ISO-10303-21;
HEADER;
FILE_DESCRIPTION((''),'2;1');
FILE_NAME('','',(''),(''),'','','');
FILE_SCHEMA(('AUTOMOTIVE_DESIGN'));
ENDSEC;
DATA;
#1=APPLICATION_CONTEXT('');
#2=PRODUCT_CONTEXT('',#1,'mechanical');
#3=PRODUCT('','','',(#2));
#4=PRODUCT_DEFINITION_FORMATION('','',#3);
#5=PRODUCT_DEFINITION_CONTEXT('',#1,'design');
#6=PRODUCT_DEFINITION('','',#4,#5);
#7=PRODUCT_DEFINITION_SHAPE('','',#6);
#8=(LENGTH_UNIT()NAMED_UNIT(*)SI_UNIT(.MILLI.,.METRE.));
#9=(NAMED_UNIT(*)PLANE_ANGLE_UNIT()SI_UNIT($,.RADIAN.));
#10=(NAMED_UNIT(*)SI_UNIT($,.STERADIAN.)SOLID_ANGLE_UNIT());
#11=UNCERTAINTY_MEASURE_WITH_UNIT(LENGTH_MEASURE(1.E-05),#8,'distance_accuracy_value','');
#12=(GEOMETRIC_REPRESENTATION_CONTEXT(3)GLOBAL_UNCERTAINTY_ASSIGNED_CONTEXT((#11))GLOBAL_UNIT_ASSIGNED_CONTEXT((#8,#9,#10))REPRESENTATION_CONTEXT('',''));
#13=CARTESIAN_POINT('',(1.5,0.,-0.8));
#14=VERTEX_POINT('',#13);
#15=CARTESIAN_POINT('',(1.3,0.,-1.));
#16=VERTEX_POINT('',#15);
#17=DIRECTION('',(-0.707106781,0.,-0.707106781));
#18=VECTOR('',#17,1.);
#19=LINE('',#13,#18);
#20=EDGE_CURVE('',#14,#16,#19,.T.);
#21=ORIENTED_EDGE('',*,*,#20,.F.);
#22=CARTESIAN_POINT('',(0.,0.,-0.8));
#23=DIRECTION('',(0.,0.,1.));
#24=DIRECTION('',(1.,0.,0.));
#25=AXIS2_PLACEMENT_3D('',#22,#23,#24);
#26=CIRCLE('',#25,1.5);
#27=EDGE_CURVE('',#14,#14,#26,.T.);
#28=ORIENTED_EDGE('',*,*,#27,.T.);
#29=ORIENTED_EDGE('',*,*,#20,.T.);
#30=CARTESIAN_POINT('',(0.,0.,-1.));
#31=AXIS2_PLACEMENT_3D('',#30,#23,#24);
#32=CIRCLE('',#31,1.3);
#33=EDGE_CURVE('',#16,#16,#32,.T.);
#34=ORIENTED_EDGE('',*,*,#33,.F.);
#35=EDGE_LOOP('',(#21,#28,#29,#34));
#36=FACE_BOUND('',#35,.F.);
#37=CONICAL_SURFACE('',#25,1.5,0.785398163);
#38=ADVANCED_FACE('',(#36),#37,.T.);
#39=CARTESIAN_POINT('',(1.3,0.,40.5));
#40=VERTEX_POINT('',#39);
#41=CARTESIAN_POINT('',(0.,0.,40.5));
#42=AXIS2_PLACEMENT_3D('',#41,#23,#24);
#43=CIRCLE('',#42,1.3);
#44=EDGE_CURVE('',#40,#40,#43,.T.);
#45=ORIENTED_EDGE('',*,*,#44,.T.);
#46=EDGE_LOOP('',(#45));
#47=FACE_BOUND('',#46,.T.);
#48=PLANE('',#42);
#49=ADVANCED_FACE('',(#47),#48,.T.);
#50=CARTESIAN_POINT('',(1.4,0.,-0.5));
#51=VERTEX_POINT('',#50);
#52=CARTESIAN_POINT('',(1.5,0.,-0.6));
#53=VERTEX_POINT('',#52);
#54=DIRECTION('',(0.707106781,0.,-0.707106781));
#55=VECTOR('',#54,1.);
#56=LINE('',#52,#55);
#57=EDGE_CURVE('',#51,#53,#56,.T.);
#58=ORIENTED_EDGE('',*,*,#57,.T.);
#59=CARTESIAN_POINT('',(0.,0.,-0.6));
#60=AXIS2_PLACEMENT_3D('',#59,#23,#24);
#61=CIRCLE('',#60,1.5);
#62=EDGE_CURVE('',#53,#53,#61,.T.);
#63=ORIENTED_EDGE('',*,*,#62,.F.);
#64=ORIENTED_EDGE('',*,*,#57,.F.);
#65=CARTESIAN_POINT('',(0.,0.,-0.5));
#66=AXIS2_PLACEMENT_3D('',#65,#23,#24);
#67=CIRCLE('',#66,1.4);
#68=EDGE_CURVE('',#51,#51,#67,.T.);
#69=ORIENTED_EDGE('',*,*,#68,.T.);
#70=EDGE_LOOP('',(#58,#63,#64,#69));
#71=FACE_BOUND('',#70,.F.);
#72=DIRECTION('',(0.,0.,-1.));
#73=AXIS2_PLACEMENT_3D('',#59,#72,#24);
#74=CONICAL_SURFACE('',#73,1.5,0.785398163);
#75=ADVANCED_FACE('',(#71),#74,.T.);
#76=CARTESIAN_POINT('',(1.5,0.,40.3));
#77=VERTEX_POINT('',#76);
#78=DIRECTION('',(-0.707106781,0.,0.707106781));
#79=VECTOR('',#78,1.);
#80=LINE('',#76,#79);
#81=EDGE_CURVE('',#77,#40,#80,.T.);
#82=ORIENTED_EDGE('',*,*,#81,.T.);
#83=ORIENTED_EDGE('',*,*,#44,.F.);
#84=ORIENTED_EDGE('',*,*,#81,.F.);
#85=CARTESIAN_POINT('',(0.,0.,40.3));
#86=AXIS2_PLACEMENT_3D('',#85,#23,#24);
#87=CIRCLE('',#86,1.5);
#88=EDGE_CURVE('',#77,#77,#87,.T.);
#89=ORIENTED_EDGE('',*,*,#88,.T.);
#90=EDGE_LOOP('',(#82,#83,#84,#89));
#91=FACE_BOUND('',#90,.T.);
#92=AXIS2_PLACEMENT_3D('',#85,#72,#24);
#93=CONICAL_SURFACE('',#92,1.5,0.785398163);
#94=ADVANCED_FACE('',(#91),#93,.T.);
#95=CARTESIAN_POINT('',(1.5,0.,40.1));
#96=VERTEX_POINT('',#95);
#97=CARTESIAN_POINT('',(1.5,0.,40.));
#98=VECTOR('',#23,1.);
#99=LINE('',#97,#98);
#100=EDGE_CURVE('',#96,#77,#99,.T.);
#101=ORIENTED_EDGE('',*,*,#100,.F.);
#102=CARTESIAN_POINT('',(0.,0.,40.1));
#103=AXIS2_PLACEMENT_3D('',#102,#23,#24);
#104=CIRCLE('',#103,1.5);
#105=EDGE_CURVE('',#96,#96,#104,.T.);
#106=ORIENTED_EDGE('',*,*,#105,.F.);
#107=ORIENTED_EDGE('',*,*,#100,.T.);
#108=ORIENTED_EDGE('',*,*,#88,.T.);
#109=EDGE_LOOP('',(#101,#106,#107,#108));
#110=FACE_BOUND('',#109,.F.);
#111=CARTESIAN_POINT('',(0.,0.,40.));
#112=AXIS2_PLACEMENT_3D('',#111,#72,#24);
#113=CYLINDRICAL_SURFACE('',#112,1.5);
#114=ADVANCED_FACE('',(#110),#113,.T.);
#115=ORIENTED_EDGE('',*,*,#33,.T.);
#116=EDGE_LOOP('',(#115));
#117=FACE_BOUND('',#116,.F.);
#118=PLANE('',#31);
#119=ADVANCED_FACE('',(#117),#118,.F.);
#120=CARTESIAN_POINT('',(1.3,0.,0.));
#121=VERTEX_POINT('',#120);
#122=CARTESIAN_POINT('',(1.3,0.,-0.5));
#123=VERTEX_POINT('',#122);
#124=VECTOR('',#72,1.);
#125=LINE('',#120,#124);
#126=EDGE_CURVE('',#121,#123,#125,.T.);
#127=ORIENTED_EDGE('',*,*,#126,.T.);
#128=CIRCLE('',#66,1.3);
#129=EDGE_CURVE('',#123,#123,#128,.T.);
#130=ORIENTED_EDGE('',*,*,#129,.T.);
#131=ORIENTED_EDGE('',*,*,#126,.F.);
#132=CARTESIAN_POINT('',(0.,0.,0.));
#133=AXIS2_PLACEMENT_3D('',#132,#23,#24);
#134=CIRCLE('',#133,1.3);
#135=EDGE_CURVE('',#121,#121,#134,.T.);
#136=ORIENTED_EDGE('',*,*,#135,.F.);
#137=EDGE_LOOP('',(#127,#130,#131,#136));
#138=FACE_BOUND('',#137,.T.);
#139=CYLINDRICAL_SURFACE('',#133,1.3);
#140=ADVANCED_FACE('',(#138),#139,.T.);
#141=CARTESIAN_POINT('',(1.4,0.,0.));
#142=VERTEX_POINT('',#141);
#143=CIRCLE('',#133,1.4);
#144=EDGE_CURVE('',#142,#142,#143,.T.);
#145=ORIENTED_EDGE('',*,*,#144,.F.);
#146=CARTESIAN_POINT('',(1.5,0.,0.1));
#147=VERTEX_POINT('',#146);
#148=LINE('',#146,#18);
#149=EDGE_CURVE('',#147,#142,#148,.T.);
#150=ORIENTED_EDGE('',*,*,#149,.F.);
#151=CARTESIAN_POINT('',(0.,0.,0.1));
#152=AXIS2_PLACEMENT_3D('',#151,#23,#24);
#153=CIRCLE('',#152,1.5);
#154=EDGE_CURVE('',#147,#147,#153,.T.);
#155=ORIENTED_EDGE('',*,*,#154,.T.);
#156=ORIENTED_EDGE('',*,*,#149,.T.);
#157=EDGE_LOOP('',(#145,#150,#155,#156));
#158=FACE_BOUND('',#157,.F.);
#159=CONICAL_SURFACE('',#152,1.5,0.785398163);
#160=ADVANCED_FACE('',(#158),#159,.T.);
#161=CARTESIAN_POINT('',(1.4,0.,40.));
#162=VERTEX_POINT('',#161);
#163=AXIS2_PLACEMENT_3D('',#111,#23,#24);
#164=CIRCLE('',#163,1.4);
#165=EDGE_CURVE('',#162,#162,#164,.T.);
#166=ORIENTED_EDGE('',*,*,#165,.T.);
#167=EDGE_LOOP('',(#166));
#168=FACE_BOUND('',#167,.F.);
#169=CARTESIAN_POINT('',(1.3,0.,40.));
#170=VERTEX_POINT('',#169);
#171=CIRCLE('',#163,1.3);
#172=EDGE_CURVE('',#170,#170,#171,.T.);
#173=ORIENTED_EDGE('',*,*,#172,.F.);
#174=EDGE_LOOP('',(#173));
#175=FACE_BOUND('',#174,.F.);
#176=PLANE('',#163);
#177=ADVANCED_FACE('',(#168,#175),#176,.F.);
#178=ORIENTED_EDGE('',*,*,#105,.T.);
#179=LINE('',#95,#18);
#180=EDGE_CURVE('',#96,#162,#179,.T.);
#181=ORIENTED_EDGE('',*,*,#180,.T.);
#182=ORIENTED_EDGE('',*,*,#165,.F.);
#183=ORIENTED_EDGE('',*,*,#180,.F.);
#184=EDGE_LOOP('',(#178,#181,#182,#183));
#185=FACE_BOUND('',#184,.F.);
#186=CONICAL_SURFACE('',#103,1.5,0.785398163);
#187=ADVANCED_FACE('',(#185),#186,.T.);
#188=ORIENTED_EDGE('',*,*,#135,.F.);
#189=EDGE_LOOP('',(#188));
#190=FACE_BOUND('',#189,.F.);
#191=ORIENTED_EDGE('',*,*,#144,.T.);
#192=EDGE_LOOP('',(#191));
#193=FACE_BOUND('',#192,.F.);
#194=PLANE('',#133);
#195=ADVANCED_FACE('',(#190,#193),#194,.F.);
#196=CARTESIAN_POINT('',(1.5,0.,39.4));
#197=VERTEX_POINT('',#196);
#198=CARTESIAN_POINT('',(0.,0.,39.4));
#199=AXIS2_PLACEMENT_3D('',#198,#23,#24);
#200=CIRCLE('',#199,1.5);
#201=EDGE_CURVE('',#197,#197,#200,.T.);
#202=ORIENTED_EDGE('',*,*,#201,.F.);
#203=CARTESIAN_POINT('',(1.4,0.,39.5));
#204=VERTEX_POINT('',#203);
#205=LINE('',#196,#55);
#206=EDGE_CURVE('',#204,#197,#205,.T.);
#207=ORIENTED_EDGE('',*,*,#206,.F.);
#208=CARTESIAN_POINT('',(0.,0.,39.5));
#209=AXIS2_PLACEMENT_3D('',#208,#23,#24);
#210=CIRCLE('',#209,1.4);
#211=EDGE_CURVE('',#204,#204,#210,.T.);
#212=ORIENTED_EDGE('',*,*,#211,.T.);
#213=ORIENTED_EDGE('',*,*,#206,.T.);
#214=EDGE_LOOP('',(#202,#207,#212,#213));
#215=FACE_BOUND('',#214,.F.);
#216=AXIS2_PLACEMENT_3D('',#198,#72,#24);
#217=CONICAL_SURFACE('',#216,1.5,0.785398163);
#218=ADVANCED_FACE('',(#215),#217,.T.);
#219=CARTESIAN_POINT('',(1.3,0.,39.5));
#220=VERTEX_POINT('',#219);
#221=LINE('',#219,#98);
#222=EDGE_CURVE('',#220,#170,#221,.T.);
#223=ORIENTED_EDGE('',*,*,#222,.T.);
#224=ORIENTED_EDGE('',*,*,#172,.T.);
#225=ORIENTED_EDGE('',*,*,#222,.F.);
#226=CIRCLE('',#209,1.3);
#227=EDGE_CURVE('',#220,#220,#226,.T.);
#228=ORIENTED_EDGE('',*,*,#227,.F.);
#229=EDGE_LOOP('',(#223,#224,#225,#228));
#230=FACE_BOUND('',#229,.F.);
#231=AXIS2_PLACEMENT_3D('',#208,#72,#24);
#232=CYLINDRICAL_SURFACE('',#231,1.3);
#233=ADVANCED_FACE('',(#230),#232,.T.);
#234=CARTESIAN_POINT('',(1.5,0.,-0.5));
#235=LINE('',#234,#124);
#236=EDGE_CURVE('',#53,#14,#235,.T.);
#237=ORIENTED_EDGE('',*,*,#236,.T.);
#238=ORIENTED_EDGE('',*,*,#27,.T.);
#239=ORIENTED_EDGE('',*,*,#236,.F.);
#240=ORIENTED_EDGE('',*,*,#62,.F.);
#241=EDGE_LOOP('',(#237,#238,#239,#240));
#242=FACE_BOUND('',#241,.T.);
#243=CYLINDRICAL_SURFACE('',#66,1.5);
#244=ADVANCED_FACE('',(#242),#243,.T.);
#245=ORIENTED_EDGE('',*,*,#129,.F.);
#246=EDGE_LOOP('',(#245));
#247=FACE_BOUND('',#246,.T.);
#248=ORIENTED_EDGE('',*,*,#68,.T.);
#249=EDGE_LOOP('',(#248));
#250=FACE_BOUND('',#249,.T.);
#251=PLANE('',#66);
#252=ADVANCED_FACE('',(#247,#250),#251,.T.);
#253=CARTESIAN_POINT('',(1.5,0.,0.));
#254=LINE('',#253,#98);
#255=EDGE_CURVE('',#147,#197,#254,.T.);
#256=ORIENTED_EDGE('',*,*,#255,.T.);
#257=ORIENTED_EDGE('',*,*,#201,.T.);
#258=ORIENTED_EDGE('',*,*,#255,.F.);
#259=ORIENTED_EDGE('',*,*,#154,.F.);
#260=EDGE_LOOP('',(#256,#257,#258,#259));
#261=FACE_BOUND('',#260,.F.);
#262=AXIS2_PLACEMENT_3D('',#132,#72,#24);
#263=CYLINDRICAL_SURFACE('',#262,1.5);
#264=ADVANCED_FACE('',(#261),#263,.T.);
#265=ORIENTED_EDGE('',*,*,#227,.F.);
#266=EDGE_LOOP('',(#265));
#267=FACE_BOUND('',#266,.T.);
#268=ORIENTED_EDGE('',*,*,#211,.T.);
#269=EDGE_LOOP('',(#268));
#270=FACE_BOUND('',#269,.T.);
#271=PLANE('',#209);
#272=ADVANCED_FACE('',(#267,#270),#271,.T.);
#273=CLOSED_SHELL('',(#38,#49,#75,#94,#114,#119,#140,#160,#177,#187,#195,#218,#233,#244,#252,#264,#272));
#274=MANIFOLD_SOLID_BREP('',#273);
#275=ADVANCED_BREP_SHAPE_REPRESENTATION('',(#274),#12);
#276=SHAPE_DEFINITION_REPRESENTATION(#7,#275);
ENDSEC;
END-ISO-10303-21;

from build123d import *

# Parameters (mm, degrees)
F0_R        = 1.5
F0_R_2      = 1.3
F1_DEPTH    = 39.5
F2_DEPTH    = 1
F3_START    = -0.5
F3_DEPTH    = 0.5
F4_R        = 1.3
F5_DEPTH    = 1
F6_START    = 0.5
F1_FACE_R   = 1.5
F1_FACE_R_2 = 1.3
F6_DEPTH    = 0.5
F7_SIZE     = 0.2
F8_SIZE     = 0.1


with BuildPart() as f1:
    # F0 (on Top) → F1 (new body)
    with BuildSketch(Plane.XY):
        Circle(F0_R)
        Circle(F0_R_2, mode=Mode.SUBTRACT)
        Circle(F0_R_2)
    extrude(amount=F1_DEPTH)

    # F0 (on Top) → F2 (join)
    with BuildSketch(Plane.XY):
        Circle(F0_R_2)
    extrude(amount=-F2_DEPTH)

    # F0 (on Top) → F3 (join)
    with BuildSketch(Plane.XY.offset(F3_START)):
        Circle(F0_R)
        Circle(F0_R_2, mode=Mode.SUBTRACT)
    extrude(amount=-F3_DEPTH)

    # F4 (on face) → F5 (join)
    with BuildSketch(Plane.XY.offset(39.5)):
        Circle(F4_R)
    extrude(amount=F5_DEPTH)

    # F1_face (on face) → F6 (join)
    with BuildSketch(Plane.XY.offset(39.5).offset(F6_START)):
        Circle(F1_FACE_R)
        Circle(F1_FACE_R_2, mode=Mode.SUBTRACT)
    extrude(amount=F6_DEPTH)

    # F7
    f7_edges = [f1.edges().sort_by_distance(p)[0] for p in [
        (-1.5, 0, -1),
        (-1.5, 0, 40.5),
    ]]
    chamfer(f7_edges, length=F7_SIZE)

    # F8
    f8_edges = [f1.edges().sort_by_distance(p)[0] for p in [
        (-1.5, 0, -0.5),
        (-1.5, 0, 0),
        (-1.5, 0, 39.5),
        (-1.5, 0, 40),
    ]]
    chamfer(f8_edges, length=F8_SIZE)


solid = f1.part
